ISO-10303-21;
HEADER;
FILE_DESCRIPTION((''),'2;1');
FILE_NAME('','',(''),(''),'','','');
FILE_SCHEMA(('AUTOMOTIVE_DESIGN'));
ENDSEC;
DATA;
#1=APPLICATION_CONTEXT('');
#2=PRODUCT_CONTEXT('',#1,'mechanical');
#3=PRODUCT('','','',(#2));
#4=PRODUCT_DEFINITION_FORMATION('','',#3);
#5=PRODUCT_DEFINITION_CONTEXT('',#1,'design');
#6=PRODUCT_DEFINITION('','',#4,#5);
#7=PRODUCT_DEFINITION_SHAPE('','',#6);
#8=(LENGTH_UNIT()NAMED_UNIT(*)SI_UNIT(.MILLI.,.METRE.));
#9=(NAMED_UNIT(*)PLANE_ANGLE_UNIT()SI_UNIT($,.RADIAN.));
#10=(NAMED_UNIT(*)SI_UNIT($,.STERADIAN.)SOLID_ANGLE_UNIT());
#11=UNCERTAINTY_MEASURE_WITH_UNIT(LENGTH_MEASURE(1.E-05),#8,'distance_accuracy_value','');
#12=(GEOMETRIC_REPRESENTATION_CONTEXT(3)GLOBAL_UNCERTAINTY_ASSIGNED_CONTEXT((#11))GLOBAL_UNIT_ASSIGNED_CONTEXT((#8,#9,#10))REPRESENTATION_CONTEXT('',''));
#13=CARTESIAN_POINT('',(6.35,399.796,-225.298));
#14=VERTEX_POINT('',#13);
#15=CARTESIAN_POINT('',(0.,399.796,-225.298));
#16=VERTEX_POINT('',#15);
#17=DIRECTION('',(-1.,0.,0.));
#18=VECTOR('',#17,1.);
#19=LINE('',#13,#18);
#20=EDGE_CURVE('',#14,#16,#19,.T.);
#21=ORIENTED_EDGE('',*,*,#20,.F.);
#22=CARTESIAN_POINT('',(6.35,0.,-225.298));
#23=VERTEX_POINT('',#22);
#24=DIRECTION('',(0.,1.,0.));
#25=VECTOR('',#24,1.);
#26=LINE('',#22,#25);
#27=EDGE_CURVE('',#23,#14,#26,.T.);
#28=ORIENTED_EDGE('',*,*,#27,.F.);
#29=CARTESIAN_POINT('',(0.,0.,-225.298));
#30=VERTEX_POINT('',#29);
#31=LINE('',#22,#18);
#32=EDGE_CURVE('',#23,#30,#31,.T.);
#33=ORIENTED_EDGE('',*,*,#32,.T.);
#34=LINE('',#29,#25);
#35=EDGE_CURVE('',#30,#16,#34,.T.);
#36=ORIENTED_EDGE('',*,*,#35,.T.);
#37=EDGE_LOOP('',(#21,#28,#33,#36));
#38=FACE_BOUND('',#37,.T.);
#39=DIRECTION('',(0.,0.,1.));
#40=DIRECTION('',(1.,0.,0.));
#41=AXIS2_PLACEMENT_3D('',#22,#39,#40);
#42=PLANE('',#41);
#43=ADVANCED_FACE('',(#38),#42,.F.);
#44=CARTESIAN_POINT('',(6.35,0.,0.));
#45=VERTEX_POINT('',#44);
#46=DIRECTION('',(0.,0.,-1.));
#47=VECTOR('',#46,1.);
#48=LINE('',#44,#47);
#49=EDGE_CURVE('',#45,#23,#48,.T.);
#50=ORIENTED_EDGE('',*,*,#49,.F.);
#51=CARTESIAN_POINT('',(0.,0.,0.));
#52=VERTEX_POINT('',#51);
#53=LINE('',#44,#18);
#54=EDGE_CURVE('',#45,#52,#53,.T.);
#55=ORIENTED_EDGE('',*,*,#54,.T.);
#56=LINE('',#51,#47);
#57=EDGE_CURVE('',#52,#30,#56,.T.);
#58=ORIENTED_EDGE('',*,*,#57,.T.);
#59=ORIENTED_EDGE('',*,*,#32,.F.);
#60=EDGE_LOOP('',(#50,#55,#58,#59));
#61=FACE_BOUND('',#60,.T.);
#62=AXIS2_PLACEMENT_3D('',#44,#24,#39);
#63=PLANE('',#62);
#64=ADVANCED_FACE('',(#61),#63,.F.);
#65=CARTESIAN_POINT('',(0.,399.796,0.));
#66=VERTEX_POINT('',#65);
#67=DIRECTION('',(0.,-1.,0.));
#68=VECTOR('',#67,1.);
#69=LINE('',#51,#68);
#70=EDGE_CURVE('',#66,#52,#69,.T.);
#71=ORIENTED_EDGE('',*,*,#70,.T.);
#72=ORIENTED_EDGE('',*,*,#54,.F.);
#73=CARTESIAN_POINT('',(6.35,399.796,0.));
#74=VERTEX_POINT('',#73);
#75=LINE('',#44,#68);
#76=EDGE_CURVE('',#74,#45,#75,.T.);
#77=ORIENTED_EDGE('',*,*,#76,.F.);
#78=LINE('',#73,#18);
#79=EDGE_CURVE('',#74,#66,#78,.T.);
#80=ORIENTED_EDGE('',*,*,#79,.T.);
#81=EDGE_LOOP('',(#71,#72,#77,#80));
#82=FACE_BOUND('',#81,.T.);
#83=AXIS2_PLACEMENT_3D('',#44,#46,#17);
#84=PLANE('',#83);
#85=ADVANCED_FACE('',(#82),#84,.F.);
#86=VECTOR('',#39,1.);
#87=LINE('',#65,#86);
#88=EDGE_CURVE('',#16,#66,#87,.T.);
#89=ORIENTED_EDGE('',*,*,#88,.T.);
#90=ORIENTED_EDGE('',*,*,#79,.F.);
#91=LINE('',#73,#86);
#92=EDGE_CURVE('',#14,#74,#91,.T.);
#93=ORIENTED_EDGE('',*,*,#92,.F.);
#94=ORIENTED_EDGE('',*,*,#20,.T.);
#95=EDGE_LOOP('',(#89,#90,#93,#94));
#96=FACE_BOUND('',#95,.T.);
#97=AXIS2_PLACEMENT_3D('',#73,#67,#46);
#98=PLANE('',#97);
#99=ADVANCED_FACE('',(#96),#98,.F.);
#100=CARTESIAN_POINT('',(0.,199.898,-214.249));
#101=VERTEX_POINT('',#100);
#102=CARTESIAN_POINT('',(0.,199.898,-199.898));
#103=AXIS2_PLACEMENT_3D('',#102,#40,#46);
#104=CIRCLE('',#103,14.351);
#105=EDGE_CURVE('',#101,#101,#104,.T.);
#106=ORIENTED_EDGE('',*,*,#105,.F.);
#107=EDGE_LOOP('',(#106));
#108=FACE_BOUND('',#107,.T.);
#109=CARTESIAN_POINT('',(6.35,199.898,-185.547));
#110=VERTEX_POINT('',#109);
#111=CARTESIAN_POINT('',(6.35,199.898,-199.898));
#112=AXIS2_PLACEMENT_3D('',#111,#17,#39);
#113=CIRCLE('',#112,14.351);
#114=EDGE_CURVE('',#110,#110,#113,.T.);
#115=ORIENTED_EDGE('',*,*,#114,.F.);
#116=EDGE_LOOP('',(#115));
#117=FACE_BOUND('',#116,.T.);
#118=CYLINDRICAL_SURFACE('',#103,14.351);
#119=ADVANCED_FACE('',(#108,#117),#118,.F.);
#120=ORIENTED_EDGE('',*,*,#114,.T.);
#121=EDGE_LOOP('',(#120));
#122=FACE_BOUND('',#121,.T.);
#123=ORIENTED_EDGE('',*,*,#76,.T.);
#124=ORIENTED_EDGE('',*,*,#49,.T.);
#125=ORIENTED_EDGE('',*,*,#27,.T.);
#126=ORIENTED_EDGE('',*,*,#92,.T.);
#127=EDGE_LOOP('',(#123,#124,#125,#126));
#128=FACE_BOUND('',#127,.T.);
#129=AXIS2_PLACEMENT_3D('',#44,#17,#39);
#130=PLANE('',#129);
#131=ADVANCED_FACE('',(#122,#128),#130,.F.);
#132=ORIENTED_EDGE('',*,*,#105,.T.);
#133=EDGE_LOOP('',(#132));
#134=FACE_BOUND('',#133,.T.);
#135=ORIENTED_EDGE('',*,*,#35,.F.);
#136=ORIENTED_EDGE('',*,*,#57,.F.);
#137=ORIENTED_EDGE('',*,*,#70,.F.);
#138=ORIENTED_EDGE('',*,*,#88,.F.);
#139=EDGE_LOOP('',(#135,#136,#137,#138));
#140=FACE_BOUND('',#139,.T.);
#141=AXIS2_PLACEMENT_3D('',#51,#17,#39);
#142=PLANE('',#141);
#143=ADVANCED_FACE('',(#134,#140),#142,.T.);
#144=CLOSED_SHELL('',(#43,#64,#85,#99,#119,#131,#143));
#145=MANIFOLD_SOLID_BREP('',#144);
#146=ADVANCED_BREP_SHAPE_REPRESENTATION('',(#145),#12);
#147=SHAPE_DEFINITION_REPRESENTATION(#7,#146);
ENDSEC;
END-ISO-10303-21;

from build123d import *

# Parameters (mm, degrees)
SKETCH1_W               = 225.298
SKETCH1_H               = 399.796
BOSS_EXTRUDE1_DEPTH     = 6.35
SKETCH2_R               = 14.351
CUT_EXTRUDE1_DEPTH      = 1
CUT_EXTRUDE1_DEPTH_BACK = 7.35


with BuildPart() as part:
    # Sketch1 → Boss-Extrude1 (new body)
    with BuildSketch(Plane(origin=(0, 0, 0), x_dir=(0, 0, -1), z_dir=(1, 0, 0))):
        with Locations((112.649, 199.898)):
            Rectangle(SKETCH1_W, SKETCH1_H)
    extrude(amount=BOSS_EXTRUDE1_DEPTH)

    # Sketch2 → Cut-Extrude1 (cut, two sides)
    with BuildSketch(Plane(origin=(6.35, 0, 0), x_dir=(0, 0, -1), z_dir=(1, 0, 0))) as cut_extrude1_sk:
        with Locations((199.898, 199.898)):
            Circle(SKETCH2_R)
    extrude(amount=CUT_EXTRUDE1_DEPTH, mode=Mode.SUBTRACT)
    extrude(cut_extrude1_sk.sketch, amount=-CUT_EXTRUDE1_DEPTH_BACK, mode=Mode.SUBTRACT)


solid = part.part
